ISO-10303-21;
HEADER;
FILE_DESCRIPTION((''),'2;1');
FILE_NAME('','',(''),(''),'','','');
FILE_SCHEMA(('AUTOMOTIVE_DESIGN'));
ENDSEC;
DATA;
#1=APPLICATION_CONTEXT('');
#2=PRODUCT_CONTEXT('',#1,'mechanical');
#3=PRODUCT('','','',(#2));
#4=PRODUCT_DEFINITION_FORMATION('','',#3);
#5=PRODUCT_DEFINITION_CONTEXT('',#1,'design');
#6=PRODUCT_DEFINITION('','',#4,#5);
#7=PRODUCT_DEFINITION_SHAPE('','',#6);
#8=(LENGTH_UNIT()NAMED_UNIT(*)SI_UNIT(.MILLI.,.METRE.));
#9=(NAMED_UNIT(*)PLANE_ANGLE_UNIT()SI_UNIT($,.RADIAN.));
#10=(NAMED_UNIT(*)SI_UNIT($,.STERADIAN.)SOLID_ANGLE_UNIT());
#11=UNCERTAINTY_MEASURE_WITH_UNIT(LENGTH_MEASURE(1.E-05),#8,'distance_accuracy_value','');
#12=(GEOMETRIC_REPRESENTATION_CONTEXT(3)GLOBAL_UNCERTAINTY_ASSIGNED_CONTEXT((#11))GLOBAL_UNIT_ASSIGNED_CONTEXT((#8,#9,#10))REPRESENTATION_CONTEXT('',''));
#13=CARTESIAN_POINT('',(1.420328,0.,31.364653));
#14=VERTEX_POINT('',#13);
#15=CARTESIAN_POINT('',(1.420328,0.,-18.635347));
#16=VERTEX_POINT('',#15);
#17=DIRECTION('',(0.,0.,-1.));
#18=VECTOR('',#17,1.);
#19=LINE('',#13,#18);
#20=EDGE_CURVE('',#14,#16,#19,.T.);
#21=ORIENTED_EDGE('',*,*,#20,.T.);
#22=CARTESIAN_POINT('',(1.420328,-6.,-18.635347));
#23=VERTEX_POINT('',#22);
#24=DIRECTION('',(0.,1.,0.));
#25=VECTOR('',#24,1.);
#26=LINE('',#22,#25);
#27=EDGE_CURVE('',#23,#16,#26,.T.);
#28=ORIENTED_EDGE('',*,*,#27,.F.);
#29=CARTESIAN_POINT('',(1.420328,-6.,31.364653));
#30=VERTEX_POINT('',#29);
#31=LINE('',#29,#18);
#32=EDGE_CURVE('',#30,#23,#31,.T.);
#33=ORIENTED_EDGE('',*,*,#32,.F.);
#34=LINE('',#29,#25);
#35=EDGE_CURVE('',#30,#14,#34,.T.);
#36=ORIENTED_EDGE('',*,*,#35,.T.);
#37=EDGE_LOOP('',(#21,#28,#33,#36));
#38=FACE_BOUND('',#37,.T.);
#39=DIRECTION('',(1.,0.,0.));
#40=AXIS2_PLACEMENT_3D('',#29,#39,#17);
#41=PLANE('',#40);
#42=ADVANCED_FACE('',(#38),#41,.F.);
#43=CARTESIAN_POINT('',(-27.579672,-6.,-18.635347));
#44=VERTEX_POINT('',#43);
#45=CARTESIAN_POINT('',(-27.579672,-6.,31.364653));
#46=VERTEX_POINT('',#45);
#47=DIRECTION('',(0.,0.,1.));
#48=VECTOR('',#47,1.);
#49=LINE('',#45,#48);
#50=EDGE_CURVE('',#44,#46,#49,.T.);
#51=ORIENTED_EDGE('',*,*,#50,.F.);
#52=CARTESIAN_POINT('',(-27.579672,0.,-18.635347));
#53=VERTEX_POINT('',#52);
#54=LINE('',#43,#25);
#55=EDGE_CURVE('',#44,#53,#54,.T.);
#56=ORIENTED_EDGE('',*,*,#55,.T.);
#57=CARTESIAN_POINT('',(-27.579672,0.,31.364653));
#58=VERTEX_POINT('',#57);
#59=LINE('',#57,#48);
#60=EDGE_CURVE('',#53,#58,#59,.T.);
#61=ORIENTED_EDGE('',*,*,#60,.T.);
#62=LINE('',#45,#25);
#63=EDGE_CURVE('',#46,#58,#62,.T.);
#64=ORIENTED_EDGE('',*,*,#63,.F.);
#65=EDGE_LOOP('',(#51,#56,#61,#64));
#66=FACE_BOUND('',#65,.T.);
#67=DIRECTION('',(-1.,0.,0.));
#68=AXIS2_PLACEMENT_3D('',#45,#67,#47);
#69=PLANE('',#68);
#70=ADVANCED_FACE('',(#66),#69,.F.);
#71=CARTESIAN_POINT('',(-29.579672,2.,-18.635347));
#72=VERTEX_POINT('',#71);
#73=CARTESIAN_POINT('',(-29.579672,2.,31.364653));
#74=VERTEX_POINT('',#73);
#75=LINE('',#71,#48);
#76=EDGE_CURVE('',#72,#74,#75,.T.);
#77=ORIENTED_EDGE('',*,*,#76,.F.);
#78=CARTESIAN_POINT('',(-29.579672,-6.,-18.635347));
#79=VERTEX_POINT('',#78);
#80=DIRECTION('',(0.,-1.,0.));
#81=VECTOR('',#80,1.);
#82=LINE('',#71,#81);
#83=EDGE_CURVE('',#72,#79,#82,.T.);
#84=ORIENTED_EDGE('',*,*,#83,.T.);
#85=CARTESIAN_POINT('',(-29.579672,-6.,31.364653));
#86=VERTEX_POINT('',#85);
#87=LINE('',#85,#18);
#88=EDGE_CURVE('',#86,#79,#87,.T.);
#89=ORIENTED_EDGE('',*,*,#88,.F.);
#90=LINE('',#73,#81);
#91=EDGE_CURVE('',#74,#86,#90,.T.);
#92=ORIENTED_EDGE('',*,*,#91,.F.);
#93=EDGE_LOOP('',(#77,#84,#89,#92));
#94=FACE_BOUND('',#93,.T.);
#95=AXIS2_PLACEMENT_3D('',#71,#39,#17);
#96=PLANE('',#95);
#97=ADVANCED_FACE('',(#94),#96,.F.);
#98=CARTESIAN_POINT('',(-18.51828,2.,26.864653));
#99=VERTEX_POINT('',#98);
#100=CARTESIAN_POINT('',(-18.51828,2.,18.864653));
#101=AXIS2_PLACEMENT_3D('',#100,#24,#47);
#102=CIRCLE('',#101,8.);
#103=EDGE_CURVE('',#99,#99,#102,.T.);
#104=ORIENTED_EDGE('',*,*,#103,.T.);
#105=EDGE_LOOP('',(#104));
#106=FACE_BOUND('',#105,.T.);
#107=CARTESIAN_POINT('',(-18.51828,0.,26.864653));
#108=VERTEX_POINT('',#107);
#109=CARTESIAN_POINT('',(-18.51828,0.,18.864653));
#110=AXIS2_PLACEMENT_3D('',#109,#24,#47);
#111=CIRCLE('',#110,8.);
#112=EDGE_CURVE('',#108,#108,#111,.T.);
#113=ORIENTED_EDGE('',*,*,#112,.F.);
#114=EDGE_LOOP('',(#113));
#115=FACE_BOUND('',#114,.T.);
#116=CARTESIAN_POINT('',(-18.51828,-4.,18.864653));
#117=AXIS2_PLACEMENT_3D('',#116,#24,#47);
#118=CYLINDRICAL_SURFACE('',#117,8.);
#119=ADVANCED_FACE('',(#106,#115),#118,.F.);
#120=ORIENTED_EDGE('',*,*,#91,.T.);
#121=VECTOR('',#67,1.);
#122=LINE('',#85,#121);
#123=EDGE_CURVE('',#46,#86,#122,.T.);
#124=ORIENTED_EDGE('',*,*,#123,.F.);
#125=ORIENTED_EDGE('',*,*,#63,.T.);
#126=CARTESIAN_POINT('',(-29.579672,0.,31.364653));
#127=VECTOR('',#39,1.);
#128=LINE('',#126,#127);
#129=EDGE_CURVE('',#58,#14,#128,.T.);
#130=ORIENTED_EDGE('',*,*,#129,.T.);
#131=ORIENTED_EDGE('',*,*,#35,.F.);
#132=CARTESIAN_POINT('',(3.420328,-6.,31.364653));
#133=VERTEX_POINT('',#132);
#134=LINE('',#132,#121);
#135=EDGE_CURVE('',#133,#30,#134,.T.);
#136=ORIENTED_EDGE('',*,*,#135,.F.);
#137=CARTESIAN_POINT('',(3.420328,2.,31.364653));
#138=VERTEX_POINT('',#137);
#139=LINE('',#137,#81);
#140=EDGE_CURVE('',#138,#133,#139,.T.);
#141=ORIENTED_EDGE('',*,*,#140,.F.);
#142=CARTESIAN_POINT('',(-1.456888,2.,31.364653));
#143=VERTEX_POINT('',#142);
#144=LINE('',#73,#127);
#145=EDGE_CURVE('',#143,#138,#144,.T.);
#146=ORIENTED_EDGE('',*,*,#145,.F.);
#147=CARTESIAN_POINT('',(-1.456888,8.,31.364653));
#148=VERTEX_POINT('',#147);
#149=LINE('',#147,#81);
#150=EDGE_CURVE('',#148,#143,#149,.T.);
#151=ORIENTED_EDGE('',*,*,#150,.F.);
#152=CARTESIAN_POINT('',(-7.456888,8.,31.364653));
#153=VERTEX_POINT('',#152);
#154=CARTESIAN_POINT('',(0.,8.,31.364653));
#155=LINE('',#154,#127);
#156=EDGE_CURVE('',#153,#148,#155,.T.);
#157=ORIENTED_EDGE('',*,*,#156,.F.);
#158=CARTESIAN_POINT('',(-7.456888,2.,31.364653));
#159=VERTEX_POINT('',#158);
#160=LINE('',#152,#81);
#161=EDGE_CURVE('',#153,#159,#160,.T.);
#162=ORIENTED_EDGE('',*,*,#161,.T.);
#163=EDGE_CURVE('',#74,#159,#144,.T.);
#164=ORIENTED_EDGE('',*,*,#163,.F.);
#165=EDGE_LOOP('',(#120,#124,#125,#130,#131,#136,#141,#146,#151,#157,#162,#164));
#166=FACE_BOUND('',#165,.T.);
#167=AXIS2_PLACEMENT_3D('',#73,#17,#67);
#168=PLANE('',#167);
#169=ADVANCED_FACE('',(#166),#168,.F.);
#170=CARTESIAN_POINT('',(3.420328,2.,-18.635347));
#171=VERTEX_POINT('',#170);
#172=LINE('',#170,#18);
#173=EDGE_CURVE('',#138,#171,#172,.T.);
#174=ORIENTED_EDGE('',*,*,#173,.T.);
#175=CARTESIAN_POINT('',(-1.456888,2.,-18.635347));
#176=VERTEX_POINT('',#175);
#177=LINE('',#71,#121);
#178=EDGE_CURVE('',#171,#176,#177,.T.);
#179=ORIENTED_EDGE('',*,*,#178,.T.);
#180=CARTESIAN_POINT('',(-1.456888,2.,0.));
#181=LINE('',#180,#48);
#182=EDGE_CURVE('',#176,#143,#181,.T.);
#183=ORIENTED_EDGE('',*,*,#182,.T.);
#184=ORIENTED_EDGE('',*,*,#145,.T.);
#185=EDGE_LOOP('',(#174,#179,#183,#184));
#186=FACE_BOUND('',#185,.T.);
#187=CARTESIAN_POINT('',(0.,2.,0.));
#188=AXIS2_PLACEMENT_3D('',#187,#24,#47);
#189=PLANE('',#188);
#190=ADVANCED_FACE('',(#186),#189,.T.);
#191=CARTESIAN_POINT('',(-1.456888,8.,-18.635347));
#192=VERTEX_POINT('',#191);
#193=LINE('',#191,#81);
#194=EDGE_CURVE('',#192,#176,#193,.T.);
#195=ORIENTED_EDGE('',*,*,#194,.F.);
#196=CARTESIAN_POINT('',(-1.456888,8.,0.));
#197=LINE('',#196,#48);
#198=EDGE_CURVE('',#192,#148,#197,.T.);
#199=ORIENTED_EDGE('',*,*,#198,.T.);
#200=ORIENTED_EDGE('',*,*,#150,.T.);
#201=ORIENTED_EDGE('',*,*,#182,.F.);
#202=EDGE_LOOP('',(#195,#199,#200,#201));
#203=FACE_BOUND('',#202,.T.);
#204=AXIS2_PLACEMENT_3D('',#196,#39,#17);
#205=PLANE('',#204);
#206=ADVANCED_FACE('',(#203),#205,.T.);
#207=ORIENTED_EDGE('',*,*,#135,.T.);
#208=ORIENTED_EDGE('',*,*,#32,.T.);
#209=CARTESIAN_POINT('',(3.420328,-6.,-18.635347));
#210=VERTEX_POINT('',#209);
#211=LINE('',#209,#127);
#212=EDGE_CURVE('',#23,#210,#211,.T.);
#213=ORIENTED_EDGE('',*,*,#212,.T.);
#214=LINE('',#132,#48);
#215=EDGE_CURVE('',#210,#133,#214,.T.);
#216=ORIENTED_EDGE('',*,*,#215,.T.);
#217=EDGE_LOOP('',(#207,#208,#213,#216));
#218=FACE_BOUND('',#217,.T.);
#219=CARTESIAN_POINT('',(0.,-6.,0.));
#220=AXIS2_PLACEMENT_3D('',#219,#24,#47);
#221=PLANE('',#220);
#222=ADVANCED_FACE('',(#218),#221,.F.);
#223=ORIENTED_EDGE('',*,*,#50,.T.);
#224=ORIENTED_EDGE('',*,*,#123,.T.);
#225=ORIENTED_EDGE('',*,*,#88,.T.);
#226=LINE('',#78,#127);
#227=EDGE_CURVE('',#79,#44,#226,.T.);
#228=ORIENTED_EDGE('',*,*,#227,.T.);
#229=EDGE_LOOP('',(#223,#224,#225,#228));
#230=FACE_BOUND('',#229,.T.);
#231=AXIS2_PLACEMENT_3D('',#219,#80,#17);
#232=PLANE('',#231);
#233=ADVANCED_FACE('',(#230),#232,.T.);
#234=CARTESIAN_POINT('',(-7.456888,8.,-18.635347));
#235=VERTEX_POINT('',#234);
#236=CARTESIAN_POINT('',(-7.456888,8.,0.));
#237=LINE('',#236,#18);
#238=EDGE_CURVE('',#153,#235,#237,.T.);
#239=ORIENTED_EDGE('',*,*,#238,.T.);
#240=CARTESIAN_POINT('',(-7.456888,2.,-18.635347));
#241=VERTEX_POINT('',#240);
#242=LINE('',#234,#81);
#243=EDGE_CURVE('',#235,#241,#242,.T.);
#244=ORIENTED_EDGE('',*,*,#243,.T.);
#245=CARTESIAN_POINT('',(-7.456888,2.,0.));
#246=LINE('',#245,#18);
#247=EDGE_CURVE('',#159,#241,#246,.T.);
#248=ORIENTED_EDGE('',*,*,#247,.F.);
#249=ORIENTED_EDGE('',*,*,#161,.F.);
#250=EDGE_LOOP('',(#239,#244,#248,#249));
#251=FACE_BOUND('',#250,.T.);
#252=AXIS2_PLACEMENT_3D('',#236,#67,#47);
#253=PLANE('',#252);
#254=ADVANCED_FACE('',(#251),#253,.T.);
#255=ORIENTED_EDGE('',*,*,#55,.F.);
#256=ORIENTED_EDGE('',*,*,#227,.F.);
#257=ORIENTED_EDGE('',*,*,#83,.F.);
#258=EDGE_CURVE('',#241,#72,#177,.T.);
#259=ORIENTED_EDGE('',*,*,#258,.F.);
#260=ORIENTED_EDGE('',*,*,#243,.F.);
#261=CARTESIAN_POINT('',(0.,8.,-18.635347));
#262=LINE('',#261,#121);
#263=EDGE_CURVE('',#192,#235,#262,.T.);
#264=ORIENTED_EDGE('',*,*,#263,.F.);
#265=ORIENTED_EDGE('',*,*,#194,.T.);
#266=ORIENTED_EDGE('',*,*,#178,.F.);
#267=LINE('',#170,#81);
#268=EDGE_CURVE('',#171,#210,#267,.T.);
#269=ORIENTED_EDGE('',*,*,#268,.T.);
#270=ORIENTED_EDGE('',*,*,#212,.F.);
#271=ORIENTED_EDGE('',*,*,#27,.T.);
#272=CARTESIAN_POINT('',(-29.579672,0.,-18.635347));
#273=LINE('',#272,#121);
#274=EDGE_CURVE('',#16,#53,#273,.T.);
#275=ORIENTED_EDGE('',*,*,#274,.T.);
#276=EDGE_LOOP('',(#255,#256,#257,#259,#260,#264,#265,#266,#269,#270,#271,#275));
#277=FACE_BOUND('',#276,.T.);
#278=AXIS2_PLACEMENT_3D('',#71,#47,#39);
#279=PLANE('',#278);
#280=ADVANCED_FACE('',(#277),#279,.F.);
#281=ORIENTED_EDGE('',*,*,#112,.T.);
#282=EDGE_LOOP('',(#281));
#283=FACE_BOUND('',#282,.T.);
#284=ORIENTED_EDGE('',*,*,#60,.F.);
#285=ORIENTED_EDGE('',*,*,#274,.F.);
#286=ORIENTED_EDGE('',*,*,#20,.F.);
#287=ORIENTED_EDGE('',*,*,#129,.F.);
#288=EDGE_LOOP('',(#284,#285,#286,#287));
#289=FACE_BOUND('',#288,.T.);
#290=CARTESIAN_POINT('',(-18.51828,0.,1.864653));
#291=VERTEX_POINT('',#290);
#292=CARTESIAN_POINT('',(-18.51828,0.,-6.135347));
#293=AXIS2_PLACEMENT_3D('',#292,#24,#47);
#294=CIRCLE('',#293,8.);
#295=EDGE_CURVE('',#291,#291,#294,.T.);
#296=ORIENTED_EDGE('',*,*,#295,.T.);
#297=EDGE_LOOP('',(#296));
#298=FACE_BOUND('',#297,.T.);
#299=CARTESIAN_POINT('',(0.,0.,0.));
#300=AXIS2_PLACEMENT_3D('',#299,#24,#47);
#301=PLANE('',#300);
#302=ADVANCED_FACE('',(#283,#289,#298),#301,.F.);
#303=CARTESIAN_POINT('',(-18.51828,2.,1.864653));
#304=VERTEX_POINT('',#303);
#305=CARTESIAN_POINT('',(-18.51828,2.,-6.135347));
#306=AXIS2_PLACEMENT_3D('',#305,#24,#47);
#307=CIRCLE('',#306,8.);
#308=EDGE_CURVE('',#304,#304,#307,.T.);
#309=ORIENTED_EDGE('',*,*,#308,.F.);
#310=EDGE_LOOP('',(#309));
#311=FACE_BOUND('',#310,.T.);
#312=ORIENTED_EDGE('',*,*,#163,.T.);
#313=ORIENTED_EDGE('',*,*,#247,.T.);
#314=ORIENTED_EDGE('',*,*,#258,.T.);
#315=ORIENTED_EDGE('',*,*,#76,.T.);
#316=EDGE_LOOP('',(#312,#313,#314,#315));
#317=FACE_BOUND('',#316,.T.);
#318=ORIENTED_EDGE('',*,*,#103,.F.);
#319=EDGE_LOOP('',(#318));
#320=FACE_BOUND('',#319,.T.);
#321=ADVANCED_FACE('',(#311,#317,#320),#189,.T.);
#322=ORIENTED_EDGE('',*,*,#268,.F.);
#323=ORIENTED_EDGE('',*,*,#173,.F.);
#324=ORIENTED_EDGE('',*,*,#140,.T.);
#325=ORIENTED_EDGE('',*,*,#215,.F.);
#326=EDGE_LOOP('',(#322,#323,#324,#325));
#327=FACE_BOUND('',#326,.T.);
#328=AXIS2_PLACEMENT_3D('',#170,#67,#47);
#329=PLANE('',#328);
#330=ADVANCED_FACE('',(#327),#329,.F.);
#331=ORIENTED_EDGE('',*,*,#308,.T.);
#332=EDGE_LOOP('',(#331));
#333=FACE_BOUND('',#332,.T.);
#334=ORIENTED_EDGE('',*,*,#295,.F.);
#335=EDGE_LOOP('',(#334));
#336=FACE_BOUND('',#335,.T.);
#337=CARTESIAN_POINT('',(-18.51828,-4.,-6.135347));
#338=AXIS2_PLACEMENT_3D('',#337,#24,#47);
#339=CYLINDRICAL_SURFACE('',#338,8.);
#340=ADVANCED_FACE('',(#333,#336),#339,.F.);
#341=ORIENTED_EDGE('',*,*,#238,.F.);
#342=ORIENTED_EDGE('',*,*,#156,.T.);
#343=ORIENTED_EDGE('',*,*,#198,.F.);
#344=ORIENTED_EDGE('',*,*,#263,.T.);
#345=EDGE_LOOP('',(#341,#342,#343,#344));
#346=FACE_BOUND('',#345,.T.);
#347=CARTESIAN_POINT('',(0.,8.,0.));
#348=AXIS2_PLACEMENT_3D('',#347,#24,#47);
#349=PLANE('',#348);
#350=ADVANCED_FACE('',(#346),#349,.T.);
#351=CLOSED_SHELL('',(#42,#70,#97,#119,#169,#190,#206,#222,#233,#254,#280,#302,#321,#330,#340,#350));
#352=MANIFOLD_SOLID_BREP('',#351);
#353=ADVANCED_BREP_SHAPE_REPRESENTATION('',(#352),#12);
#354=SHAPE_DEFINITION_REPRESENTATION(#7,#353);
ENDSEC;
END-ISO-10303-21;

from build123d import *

# Parameters (mm, degrees)
SKETCH1_W           = 33
SKETCH1_H           = 50
BOSS_EXTRUDE1_DEPTH = 2
SKETCH2_W           = 2
SKETCH2_H           = 50
BOSS_EXTRUDE2_DEPTH = 6
BOSS_EXTRUDE3_DEPTH = 6
CUT_EXTRUDE1_DEPTH  = 6


with BuildPart() as part:
    # Sketch1 → Boss-Extrude1 (new body)
    with BuildSketch(Plane(origin=(0, 0, 0), x_dir=(1, 0, 0), z_dir=(0, 1, 0))):
        with Locations((-13.079672346, -6.364652574)):
            Rectangle(SKETCH1_W, SKETCH1_H)
    extrude(amount=BOSS_EXTRUDE1_DEPTH)

    # Sketch2 → Boss-Extrude2 (add)
    with BuildSketch(Plane.XZ):
        with Locations((-28.579672346, 6.364652574)):
            Rectangle(SKETCH2_W, SKETCH2_H)
        with Locations((2.420327654, 6.364652574)):
            Rectangle(SKETCH2_W, SKETCH2_H)
    extrude(amount=BOSS_EXTRUDE2_DEPTH)

    # Sketch3 → Boss-Extrude3 (add)
    with BuildSketch(Plane(origin=(0, 2, 0), x_dir=(1, 0, 0), z_dir=(0, 1, 0))):
        Polygon((-1.456888389, -6.364652574), (-4.456888389, -6.364652574), (-7.456888389, -6.364652574), (-7.456888389, -31.364652574), (-1.456888389, -31.364652574), align=None)
        Polygon((-7.456888389, -6.364652574), (-4.456888389, -6.364652574), (-1.456888389, -6.364652574), (-1.456888389, 18.635347426), (-7.456888389, 18.635347426), align=None)
    extrude(amount=BOSS_EXTRUDE3_DEPTH)

    # Sketch4 → Cut-Extrude1 (cut)
    with BuildSketch(Plane(origin=(0, 2, 0), x_dir=(1, 0, 0), z_dir=(0, 1, 0))):
        with BuildLine():
            ThreePointArc((-10.518280368, -18.864652574), (-12.861426118, -13.207798324), (-18.518280368, -10.864652574))
            Line((-18.518280368, -10.864652574), (-18.518280368, -26.864652574))
            ThreePointArc((-18.518280368, -26.864652574), (-12.861426118, -24.521506823), (-10.518280368, -18.864652574))
        make_face()
        with BuildLine():
            Line((-18.518280368, -26.864652574), (-18.518280368, -10.864652574))
            ThreePointArc((-18.518280368, -10.864652574), (-26.518280368, -18.864652574), (-18.518280368, -26.864652574))
        make_face()
        with BuildLine():
            ThreePointArc((-18.518280368, 14.135347426), (-26.518280368, 6.135347426), (-18.518280368, -1.864652574))
            Line((-18.518280368, -1.864652574), (-18.518280368, 14.135347426))
        make_face()
        with BuildLine():
            Line((-18.518280368, 14.135347426), (-18.518280368, -1.864652574))
            ThreePointArc((-18.518280368, -1.864652574), (-12.861426118, 0.478493177), (-10.518280368, 6.135347426))
            ThreePointArc((-10.518280368, 6.135347426), (-12.861426118, 11.792201676), (-18.518280368, 14.135347426))
        make_face()
    extrude(amount=-CUT_EXTRUDE1_DEPTH, mode=Mode.SUBTRACT)


solid = part.part
